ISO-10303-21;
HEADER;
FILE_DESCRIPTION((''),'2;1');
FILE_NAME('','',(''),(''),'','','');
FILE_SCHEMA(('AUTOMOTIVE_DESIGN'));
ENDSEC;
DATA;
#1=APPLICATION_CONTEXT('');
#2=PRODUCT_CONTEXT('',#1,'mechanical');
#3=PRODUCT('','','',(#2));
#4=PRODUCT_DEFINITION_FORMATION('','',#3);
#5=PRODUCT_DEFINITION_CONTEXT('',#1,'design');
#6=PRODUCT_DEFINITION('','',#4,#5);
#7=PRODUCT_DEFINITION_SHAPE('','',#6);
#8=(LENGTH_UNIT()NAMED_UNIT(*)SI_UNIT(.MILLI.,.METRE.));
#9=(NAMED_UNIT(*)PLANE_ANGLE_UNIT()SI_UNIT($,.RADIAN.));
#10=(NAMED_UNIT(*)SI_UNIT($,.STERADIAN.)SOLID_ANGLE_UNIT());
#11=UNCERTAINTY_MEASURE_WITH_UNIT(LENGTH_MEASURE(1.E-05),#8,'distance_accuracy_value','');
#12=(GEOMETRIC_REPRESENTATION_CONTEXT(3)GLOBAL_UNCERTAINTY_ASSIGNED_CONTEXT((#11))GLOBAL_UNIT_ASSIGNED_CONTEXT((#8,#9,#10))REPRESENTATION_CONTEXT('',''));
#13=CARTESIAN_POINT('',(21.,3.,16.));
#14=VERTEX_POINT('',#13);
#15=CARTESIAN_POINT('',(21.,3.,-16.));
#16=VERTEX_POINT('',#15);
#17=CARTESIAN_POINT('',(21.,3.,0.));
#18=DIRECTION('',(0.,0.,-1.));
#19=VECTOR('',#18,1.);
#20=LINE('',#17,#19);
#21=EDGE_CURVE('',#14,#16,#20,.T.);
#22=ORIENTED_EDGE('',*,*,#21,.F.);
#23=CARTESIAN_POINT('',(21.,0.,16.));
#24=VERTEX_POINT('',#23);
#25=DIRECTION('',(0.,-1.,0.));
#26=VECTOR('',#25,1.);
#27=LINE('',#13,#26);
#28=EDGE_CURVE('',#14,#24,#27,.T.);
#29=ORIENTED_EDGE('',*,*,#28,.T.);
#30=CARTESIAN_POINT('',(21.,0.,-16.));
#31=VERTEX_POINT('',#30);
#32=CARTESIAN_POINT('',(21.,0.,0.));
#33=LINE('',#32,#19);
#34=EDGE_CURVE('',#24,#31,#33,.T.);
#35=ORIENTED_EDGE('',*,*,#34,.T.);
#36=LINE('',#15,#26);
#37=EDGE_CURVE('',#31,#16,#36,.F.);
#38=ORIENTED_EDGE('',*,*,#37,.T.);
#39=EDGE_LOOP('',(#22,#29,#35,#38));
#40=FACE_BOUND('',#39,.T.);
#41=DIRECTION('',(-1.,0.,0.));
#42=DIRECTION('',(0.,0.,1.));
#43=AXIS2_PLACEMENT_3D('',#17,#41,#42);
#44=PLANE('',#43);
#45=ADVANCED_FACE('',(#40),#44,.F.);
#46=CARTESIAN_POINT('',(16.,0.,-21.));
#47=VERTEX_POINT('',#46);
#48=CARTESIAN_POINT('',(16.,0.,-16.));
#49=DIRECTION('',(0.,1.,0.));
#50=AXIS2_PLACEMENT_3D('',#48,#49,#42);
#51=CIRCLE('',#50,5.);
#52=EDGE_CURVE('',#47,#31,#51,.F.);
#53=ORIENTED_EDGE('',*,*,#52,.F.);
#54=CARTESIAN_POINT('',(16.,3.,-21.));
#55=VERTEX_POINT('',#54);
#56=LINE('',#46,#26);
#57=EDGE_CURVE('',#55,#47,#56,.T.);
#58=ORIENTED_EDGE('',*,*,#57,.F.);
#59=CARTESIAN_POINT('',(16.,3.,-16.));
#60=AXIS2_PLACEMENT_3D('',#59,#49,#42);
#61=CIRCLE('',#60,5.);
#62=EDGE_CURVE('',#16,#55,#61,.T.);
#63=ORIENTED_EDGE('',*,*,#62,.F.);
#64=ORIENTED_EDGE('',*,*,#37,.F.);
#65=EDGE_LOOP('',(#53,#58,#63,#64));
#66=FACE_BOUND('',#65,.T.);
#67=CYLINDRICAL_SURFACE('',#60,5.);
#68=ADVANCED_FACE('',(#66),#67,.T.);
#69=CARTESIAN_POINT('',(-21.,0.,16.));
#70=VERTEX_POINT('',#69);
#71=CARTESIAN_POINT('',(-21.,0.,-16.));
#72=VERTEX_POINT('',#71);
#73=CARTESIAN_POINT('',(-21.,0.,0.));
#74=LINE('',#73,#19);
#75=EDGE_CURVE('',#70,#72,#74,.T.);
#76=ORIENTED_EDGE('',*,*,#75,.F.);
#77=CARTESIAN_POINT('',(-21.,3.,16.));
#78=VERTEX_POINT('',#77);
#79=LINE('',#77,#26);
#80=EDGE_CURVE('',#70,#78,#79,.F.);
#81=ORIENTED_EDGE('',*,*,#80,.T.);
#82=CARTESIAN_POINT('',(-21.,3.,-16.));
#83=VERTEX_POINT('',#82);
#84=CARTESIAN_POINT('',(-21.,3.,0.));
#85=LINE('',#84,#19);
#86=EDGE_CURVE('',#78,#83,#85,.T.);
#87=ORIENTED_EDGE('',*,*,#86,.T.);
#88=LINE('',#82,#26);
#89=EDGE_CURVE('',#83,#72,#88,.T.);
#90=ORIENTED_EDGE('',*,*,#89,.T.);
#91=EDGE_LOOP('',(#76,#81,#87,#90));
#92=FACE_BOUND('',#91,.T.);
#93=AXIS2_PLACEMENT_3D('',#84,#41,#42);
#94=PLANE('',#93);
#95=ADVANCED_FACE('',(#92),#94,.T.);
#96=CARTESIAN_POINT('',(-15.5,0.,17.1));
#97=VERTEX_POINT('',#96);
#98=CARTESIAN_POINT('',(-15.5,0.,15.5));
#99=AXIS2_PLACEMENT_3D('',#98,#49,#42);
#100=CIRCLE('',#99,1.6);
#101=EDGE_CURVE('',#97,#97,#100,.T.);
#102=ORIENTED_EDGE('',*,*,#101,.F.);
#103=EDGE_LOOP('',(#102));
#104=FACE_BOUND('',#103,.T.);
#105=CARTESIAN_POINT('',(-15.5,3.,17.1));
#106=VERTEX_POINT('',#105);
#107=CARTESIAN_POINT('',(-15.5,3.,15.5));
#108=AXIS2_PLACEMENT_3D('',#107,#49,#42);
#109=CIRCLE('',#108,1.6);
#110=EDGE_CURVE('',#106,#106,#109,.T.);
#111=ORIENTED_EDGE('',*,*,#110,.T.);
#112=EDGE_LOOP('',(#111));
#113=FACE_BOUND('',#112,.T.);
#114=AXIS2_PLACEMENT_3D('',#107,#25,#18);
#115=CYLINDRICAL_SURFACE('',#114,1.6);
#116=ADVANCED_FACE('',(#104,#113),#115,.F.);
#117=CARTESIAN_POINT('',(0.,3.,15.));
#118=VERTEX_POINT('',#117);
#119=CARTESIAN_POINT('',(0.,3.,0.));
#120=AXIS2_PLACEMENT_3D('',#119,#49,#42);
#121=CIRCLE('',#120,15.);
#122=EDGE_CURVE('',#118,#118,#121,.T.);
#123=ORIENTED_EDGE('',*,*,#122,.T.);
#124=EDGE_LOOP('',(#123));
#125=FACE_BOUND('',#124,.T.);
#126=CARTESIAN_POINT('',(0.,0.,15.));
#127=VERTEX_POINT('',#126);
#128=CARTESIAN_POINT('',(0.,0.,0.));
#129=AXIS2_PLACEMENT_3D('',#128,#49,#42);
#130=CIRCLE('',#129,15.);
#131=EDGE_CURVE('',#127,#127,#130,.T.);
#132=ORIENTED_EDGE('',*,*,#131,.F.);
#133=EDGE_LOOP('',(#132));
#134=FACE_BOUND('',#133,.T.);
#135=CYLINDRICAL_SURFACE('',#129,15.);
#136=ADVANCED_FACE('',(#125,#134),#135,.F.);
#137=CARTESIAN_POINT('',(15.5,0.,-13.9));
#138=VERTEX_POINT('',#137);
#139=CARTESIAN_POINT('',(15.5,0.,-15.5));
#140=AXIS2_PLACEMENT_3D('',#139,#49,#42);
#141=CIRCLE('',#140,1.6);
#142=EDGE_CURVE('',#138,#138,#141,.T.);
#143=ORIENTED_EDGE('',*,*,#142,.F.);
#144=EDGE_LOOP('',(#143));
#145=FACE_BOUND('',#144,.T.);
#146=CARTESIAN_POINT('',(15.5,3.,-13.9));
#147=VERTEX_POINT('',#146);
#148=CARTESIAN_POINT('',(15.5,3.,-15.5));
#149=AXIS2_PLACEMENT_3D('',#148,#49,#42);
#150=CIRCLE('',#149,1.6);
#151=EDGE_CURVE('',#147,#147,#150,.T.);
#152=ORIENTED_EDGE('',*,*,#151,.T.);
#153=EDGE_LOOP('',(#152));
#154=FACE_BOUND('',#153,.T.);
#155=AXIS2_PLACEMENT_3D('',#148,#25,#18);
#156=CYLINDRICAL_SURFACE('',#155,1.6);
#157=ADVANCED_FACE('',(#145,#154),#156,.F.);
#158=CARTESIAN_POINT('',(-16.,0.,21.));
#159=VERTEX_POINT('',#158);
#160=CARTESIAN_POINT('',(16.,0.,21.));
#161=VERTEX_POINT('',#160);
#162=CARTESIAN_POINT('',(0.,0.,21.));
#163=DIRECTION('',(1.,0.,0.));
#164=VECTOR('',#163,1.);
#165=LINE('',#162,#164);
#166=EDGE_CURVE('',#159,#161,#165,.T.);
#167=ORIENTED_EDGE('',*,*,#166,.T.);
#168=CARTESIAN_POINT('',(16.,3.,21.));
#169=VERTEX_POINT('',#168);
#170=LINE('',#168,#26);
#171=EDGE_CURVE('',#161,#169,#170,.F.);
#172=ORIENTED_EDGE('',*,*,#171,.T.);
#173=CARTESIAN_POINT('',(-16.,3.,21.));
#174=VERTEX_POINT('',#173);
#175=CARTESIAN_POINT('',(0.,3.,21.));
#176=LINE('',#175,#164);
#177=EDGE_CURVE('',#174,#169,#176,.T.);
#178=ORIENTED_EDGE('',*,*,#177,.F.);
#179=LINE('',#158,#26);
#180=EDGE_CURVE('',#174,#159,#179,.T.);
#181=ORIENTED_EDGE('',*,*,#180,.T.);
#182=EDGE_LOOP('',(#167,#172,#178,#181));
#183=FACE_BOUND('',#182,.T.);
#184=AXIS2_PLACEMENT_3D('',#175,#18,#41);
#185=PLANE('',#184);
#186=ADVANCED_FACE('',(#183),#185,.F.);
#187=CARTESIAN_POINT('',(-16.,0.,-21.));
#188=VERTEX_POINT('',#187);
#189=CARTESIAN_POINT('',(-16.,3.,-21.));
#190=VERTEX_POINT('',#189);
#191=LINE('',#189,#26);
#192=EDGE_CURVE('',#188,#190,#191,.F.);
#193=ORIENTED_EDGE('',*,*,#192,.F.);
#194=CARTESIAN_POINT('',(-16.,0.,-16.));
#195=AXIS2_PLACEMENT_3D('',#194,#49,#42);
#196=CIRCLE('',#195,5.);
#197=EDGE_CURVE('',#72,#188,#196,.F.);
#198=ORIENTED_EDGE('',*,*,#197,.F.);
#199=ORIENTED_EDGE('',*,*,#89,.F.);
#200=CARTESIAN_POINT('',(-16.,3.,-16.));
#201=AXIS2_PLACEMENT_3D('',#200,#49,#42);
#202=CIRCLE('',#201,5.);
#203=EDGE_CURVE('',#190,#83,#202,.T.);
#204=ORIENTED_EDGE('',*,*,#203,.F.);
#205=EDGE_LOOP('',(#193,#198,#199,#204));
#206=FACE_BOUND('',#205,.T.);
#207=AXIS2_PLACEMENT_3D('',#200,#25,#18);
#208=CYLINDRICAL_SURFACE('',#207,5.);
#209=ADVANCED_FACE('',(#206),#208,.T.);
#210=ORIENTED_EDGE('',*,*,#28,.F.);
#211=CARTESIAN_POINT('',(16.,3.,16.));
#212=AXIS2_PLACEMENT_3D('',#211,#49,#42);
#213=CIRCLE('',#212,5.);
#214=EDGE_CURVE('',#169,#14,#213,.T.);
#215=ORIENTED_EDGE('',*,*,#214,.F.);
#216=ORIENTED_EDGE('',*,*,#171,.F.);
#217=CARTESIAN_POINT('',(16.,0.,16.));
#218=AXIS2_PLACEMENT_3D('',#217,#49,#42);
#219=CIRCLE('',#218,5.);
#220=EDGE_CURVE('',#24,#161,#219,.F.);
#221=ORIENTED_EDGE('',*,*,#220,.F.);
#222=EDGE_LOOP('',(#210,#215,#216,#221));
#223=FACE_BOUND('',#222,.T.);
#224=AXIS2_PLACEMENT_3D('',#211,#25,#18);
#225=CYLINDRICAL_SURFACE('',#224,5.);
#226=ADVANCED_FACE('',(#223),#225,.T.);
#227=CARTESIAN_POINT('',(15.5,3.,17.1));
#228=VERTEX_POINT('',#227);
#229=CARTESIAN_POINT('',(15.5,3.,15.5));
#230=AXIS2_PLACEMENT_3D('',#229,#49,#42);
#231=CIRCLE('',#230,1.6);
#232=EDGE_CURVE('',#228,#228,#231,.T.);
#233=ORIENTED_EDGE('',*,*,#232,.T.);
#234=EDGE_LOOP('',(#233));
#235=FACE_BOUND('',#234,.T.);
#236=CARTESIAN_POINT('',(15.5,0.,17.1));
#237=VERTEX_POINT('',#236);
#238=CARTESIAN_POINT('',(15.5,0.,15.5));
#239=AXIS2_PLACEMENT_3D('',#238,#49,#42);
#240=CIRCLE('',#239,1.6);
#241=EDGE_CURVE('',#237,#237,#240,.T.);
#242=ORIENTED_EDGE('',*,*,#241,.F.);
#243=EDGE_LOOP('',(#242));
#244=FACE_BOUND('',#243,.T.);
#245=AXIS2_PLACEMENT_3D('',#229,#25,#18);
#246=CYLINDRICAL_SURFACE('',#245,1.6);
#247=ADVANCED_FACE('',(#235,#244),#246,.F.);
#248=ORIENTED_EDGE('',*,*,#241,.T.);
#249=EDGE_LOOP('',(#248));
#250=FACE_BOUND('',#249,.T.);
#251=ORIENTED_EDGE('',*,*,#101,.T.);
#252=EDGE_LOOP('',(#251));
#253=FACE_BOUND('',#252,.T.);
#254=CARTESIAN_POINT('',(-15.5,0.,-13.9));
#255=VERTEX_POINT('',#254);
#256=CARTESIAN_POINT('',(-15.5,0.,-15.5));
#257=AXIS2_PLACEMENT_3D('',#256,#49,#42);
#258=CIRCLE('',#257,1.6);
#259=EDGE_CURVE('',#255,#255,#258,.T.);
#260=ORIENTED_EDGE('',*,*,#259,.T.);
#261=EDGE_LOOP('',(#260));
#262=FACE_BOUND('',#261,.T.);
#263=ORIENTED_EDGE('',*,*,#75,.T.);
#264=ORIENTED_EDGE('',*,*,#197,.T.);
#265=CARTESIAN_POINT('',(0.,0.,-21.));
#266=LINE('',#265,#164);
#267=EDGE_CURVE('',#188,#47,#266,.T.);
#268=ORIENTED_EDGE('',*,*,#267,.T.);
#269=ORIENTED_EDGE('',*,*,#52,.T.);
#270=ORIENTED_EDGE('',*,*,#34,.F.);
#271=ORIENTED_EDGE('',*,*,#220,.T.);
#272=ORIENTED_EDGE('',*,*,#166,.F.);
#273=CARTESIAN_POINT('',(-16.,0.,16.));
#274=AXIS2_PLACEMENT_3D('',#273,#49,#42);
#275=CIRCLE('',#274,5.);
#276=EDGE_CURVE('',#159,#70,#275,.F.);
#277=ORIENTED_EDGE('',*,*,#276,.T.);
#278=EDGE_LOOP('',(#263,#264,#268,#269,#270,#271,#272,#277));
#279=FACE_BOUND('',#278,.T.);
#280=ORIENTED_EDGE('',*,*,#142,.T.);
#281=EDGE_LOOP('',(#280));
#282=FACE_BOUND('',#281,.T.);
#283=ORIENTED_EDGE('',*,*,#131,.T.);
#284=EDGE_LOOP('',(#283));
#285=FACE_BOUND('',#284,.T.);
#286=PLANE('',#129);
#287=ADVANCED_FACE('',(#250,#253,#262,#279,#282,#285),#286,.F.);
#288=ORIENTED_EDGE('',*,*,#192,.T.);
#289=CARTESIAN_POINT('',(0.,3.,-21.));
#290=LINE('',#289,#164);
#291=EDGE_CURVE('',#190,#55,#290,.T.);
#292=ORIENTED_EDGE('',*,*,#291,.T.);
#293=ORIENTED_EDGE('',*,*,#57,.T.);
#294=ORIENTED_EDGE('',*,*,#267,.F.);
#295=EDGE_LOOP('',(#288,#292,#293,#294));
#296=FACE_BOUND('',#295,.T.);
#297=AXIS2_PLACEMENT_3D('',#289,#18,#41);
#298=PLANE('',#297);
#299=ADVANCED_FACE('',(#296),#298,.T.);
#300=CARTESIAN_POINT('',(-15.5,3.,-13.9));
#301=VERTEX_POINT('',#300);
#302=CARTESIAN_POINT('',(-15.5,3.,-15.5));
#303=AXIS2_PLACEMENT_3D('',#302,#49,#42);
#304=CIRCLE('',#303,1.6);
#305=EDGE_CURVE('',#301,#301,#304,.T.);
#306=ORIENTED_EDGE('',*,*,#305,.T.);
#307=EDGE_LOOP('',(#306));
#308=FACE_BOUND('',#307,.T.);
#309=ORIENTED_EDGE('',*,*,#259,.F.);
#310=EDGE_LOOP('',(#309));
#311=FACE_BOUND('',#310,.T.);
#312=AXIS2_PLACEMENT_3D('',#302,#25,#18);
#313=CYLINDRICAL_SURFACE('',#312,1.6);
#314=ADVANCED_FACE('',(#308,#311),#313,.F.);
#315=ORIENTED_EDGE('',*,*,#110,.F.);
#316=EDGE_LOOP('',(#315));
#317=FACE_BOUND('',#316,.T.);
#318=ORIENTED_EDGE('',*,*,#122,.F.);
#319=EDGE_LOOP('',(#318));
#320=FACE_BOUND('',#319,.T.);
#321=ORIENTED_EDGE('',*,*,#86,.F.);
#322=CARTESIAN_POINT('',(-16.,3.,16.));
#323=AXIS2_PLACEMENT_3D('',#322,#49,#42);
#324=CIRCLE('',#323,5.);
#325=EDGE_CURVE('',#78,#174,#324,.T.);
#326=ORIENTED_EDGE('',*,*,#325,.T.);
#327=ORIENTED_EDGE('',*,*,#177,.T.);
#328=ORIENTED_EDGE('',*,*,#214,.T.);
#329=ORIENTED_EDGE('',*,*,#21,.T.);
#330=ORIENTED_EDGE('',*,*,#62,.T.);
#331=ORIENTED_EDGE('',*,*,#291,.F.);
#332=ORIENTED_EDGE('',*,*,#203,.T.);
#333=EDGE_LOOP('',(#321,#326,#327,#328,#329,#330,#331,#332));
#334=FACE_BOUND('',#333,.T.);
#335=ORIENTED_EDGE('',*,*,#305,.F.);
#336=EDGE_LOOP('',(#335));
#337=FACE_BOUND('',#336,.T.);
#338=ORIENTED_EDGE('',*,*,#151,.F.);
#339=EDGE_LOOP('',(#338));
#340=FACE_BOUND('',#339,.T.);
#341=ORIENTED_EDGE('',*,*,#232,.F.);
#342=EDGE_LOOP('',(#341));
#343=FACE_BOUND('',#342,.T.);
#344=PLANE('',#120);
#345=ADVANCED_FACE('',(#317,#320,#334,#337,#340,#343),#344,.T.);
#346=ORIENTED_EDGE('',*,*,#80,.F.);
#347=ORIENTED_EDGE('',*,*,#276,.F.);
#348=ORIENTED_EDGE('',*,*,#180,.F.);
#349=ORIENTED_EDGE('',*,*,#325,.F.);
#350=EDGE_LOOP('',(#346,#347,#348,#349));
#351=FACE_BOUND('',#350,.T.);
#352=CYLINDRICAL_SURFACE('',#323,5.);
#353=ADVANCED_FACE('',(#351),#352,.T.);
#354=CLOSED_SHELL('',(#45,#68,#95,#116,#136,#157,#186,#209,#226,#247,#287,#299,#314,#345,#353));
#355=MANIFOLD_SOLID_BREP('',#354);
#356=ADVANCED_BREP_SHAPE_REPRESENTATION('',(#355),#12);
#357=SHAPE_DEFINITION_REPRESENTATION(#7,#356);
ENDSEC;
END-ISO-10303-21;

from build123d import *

# Parameters (mm, degrees)
SKETCH_1_W          = 42
SKETCH_1_H          = 42
SKETCH_1_R          = 1.6
SKETCH_1_R_2        = 11
EXTRUDE_1_DEPTH     = 3
SKETCH_2_R          = 15
CUT_EXTRUDE_1_DEPTH = 30.849623113
FILLET_1_R          = 5


with BuildPart() as part:
    # 草图1 → 凸台-拉伸1 (new body)
    with BuildSketch(Plane(origin=(0, 0, 0), x_dir=(1, 0, 0), z_dir=(0, 1, 0))):
        Rectangle(SKETCH_1_W, SKETCH_1_H)
        with Locations(Location((-15.5, 15.5, 0), (0, 0, 270))):
            Circle(SKETCH_1_R, mode=Mode.SUBTRACT)
        with Locations(Location((15.5, 15.5, 0), (0, 0, 270))):
            Circle(SKETCH_1_R, mode=Mode.SUBTRACT)
        with Locations(Location((15.5, -15.5, 0), (0, 0, 270))):
            Circle(SKETCH_1_R, mode=Mode.SUBTRACT)
        with Locations(Location((-15.5, -15.5, 0), (0, 0, 270))):
            Circle(SKETCH_1_R, mode=Mode.SUBTRACT)
        with Locations(Location((0.145011043, -0.145011043, 0), (0, 0, 270))):
            Circle(SKETCH_1_R_2, mode=Mode.SUBTRACT)
    extrude(amount=EXTRUDE_1_DEPTH)

    # 草图2 → 切除-拉伸1 (cut, through all)
    with BuildSketch(Plane(origin=(0, 3, 0), x_dir=(1, 0, 0), z_dir=(0, 1, 0))):
        with Locations(Location((0, 0, 0), (0, 0, 270))):
            Circle(SKETCH_2_R)
    extrude(amount=-CUT_EXTRUDE_1_DEPTH, mode=Mode.SUBTRACT)

    # 圆角1
    fillet_1_edges = [part.edges().sort_by_distance(p)[0] for p in [
        (-21, 1.5, 21),
        (-21, 1.5, -21),
        (21, 1.5, -21),
        (21, 1.5, 21),
    ]]
    fillet(fillet_1_edges, radius=FILLET_1_R)


solid = part.part
